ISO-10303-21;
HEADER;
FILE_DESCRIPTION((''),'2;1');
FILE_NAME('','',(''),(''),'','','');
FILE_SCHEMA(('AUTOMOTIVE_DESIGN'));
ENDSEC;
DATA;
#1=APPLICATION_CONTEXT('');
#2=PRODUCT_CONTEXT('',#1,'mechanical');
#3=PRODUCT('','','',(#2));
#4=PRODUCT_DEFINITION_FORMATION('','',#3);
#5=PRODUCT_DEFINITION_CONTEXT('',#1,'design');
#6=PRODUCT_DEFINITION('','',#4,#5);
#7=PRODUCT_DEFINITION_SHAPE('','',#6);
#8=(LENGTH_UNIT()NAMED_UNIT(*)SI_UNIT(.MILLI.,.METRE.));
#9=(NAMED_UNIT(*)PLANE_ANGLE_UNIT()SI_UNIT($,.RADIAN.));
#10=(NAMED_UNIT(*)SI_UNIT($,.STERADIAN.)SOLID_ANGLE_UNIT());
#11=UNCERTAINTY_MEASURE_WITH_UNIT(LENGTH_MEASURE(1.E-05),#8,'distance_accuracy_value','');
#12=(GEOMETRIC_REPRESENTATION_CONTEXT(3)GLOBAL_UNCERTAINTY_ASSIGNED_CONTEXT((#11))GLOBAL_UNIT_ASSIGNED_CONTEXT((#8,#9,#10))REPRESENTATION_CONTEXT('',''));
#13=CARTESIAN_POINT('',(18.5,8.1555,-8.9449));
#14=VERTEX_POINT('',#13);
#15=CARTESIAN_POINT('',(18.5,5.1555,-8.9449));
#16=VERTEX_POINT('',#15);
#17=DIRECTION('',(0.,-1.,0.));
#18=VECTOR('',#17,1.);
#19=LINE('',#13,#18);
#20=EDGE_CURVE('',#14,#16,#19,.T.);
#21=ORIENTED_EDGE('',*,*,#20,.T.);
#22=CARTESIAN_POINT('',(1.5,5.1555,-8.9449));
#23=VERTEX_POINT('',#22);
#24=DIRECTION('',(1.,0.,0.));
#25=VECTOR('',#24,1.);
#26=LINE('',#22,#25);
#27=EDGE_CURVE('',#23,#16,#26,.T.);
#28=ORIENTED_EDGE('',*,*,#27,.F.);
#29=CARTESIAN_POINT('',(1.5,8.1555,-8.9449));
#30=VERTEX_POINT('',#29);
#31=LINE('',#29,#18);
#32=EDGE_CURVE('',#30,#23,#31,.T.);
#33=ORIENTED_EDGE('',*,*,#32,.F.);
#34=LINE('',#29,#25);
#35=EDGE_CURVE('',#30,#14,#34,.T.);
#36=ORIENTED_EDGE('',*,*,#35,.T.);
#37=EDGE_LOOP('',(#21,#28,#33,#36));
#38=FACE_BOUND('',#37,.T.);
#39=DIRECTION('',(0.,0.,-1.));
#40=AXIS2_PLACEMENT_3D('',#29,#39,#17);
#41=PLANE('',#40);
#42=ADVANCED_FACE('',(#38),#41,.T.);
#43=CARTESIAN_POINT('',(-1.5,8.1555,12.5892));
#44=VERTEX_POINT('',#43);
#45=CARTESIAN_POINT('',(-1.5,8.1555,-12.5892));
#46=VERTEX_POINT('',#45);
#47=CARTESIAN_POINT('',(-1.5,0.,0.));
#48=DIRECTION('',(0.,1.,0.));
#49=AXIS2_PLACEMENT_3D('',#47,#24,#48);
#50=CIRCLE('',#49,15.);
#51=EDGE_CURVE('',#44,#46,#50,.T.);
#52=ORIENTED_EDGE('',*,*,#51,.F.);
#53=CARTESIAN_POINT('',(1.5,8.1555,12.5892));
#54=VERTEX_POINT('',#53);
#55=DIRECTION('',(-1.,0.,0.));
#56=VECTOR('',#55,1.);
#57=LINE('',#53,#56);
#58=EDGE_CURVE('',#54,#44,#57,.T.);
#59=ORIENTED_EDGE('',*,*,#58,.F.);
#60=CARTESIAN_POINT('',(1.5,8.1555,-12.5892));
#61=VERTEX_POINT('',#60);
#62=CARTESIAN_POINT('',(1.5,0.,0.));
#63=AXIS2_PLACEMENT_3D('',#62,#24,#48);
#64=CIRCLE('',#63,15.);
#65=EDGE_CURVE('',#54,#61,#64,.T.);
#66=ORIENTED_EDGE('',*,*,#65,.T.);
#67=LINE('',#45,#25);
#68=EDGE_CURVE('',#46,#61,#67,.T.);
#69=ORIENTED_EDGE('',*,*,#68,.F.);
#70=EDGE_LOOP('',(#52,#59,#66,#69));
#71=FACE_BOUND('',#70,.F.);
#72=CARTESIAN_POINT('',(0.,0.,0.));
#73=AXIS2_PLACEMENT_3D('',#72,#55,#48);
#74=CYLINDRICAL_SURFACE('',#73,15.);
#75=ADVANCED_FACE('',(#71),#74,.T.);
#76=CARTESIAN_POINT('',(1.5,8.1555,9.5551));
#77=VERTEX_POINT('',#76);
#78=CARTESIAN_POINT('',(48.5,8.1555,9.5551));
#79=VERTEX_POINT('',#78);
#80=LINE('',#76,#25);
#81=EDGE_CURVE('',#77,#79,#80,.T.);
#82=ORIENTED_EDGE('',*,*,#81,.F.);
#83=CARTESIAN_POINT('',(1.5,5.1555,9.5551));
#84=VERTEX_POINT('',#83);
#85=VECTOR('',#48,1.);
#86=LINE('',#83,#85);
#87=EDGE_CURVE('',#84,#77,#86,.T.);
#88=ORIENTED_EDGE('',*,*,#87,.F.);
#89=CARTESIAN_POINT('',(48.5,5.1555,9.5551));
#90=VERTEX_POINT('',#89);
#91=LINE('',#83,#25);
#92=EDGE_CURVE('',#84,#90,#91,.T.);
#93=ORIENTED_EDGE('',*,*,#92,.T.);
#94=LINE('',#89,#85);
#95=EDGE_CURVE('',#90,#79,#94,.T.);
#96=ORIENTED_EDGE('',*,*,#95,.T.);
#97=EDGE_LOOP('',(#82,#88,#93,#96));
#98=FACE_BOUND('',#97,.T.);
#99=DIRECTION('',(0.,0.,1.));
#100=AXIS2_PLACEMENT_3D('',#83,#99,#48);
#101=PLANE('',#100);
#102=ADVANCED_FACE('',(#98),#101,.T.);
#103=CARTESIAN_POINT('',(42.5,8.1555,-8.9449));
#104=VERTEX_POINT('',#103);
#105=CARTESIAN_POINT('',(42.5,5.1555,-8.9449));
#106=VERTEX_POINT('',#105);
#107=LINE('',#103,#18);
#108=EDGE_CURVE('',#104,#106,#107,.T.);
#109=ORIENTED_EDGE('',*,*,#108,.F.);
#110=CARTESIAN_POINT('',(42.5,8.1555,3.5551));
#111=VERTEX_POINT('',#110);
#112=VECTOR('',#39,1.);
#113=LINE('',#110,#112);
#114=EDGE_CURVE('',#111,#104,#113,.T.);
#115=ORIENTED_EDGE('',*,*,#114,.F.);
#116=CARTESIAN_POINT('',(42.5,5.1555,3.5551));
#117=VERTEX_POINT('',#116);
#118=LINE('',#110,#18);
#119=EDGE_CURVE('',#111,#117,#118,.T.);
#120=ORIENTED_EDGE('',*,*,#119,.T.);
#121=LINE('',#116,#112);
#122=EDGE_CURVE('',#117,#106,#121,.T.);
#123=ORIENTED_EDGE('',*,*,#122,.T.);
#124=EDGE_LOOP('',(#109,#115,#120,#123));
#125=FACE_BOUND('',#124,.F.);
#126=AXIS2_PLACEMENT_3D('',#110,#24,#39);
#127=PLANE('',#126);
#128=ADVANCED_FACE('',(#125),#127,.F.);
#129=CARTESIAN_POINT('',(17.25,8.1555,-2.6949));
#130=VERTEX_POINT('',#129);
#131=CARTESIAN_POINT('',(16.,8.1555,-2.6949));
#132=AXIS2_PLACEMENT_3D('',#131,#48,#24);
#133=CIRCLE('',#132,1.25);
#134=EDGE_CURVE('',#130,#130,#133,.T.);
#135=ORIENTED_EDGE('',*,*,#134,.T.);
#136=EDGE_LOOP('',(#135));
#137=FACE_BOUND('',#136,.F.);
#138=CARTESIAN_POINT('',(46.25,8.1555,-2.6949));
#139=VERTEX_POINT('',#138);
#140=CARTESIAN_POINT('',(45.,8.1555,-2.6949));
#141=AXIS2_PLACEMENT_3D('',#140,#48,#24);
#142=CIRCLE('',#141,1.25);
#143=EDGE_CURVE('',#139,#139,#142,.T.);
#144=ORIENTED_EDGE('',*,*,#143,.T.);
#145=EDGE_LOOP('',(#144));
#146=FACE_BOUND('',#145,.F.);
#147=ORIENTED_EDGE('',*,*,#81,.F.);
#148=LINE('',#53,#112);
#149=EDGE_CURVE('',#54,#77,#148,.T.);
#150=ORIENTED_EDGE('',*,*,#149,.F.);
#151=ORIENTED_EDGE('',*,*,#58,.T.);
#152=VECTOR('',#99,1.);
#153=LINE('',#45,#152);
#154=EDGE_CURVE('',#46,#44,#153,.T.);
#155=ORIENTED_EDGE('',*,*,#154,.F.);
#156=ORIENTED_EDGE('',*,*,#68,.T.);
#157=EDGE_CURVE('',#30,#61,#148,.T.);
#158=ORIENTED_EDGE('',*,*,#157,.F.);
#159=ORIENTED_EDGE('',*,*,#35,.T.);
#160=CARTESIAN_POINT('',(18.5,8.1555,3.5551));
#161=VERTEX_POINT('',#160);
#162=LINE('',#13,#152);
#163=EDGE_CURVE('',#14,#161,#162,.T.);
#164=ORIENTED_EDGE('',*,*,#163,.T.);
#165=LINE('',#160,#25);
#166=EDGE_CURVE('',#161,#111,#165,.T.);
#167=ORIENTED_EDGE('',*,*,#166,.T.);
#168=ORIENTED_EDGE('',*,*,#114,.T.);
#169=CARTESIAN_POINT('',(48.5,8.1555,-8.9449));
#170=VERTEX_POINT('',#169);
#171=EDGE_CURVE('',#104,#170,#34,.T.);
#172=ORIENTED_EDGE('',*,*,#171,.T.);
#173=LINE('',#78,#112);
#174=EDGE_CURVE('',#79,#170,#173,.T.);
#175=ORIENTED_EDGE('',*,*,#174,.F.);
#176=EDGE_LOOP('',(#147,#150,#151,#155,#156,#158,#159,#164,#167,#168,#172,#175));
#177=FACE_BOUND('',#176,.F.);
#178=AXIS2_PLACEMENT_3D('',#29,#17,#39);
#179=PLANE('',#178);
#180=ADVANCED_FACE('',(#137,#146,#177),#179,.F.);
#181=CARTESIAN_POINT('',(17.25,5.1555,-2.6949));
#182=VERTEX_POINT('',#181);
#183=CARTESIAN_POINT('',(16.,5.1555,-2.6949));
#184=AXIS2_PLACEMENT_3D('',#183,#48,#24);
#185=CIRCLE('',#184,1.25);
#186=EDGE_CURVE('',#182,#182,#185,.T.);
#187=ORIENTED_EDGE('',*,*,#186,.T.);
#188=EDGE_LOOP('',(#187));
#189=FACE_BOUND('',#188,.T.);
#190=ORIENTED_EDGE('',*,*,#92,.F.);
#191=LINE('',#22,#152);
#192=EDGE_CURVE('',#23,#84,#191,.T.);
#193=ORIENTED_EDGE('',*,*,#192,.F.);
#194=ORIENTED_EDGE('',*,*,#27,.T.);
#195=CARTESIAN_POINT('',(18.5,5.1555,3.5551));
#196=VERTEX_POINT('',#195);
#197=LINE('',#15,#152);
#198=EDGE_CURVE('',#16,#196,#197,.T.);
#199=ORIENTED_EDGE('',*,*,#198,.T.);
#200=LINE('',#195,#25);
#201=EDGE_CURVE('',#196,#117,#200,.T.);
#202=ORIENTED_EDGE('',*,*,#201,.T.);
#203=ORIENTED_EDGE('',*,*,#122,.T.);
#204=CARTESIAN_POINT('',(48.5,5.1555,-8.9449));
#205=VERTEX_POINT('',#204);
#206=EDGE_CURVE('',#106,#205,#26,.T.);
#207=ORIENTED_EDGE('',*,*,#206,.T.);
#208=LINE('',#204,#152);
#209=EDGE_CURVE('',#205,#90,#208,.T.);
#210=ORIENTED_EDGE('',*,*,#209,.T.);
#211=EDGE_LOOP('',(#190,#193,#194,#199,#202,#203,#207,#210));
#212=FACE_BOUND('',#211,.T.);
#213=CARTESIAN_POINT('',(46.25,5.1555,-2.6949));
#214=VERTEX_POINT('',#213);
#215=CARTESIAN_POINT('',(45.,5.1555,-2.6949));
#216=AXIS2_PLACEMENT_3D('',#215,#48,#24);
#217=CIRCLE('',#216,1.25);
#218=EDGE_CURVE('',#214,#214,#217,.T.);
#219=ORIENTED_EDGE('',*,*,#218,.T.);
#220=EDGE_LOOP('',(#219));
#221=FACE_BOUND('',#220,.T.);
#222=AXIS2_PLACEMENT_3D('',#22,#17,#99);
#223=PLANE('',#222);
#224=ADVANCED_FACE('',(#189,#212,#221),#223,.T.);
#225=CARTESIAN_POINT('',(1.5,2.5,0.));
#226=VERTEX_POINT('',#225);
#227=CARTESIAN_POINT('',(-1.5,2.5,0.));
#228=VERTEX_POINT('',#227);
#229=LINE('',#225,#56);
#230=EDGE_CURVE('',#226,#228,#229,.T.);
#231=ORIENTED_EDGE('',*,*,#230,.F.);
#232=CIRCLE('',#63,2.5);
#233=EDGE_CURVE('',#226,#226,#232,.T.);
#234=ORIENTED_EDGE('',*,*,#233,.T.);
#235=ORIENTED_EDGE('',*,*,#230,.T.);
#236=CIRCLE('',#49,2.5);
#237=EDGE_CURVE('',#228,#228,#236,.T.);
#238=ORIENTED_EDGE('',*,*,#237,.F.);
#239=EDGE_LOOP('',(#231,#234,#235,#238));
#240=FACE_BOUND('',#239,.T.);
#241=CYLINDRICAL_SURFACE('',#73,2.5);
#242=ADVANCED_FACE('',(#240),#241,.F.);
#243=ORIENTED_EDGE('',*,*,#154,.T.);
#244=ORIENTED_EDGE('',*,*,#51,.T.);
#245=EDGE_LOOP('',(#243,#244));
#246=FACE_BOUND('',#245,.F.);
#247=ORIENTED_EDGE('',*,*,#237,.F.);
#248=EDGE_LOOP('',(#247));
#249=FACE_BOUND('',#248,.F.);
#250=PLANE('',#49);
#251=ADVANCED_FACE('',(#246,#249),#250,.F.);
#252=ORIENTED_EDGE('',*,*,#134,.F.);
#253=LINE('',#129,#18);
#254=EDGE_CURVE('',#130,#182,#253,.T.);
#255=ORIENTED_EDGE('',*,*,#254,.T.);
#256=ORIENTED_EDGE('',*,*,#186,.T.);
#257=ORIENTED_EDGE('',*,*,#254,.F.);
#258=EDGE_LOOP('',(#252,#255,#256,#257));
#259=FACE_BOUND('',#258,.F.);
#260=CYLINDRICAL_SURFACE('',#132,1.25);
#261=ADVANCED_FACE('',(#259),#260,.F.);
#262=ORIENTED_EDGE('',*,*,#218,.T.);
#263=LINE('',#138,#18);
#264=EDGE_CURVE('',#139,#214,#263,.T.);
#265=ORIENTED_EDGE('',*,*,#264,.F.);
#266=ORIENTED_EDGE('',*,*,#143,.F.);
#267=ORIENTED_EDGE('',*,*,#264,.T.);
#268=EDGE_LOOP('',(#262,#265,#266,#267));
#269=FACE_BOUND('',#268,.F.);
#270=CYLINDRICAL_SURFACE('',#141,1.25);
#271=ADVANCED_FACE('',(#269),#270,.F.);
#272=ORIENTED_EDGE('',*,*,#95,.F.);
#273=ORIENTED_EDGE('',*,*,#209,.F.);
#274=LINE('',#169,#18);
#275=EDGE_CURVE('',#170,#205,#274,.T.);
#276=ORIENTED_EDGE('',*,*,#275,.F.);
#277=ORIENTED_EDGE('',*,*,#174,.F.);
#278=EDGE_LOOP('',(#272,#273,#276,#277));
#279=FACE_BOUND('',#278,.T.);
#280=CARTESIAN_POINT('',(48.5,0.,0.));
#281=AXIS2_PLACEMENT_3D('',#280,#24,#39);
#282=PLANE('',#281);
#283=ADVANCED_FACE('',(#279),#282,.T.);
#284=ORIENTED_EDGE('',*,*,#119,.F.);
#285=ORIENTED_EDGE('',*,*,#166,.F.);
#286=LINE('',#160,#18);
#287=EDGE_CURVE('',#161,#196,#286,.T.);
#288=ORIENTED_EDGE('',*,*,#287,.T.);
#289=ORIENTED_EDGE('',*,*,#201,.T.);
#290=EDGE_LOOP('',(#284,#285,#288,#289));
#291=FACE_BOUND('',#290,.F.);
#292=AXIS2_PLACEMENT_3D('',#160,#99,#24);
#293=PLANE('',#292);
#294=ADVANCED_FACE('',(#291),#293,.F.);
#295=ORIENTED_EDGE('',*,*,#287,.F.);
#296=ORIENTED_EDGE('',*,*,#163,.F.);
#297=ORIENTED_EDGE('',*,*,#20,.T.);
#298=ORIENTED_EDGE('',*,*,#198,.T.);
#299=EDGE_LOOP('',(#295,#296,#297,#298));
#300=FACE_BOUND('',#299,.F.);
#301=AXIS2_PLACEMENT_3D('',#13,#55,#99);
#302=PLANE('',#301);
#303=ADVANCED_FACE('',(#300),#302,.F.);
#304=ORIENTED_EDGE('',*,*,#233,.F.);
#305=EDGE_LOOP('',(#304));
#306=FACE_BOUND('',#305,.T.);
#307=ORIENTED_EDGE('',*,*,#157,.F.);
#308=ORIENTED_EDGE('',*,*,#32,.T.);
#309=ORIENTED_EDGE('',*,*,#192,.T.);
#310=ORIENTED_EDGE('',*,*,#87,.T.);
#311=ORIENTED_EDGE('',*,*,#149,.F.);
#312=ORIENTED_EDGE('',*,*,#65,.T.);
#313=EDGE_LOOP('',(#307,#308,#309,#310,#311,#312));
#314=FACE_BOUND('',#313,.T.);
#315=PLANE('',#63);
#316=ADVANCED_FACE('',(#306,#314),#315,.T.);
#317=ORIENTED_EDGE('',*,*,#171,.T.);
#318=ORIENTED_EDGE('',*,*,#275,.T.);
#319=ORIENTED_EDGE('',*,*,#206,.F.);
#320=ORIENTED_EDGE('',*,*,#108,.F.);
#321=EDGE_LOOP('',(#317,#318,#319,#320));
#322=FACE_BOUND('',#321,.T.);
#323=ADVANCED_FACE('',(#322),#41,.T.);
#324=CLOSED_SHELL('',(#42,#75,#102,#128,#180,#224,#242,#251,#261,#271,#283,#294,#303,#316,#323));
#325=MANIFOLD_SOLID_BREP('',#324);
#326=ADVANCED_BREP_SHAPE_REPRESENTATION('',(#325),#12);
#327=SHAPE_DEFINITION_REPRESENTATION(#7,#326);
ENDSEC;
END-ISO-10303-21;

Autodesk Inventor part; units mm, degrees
ref_plane "YZ Plane" through (0, 0, 0) normal (1, 0, 0) x (0, 1, 0)
ref_plane "XZ Plane" through (0, 0, 0) normal (0, 1, 0) x (-1, 0, 0)
ref_plane "XY Plane" through (0, 0, 0) normal (0, 0, 1) x (1, 0, 0)
sketch "草圖1" plane through (0, 0, 0) normal (1, 0, 0) x (0, 1, 0)
  circle A0 centre (0, 0) radius 2.5
  circle A1 centre (0, 0) radius 15
  dimension "d0" = 5
  dimension "d1" = 30
extrude "擠出1" add sketch "草圖1" along normal mid plane 3
sketch "草圖2" plane through (1.5, 0, 0) normal (1, 0, 0) x (0, 0, -1)
  line L0 (-9.5551, 8.1555) -> (8.9449, 8.1555)
  line L1 (8.9449, 8.1555) -> (8.9449, 5.1555)
  line L2 (8.9449, 5.1555) -> (-9.5551, 5.1555)
  line L3 (-9.5551, 5.1555) -> (-9.5551, 8.1555)
  point P0 (0, 0)
  dimension "d4" = 18.5
  dimension "d5" = 3
extrude "擠出2" add sketch "草圖2" along normal blind 47
sketch "草圖3" plane through (1.5, 8.1555, 9.5551) normal (0, 1, 0) x (1, 0, 0)
  line L0 (0, 18.5) -> (47, 18.5) construction
  line L1 (41, 18.5) -> (17, 18.5)
  line L2 (17, 18.5) -> (17, 6)
  line L3 (17, 6) -> (41, 6)
  line L4 (41, 6) -> (41, 18.5)
  line L5 (47, 18.5) -> (47, 0) construction
  line L6 (47, 0) -> (47, 18.5) projected
  line L7 (47, 12.25) -> (14.3759, 12.25) construction
  circle A0 centre (43.5, 12.25) radius 1.25
  line L8 (29, 12.25) -> (29, 6) construction
  circle A1 centre (14.5, 12.25) radius 1.25
  point P0 (-1.5, 9.5551)
  point P1 (41, 12.25)
  dimension "d8" = 24
  dimension "d9" = 12.5
  dimension "d10" = 6
  dimension "d11" = 2.5
  dimension "d12" = 29
extrude "擠出3" cut sketch "草圖3" against normal up to surface (3 mm away)
sketch "草圖4" plane through (1.5, 0, 0) normal (1, 0, 0) x (0, 0, -1)
  line L0 (-9.5551, 8.1555) -> (8.9449, 8.1555) projected
  line L1 (-12.5892, 8.1555) -> (12.5892, 8.1555)
  circle A0 centre (0, 0) radius 15 projected
extrude "擠出4" cut sketch "草圖4" against normal up to surface (3 mm away) contours L1 A0 L0 picked at (-0.2034, 10.437)
properties part number "Arm_2"
